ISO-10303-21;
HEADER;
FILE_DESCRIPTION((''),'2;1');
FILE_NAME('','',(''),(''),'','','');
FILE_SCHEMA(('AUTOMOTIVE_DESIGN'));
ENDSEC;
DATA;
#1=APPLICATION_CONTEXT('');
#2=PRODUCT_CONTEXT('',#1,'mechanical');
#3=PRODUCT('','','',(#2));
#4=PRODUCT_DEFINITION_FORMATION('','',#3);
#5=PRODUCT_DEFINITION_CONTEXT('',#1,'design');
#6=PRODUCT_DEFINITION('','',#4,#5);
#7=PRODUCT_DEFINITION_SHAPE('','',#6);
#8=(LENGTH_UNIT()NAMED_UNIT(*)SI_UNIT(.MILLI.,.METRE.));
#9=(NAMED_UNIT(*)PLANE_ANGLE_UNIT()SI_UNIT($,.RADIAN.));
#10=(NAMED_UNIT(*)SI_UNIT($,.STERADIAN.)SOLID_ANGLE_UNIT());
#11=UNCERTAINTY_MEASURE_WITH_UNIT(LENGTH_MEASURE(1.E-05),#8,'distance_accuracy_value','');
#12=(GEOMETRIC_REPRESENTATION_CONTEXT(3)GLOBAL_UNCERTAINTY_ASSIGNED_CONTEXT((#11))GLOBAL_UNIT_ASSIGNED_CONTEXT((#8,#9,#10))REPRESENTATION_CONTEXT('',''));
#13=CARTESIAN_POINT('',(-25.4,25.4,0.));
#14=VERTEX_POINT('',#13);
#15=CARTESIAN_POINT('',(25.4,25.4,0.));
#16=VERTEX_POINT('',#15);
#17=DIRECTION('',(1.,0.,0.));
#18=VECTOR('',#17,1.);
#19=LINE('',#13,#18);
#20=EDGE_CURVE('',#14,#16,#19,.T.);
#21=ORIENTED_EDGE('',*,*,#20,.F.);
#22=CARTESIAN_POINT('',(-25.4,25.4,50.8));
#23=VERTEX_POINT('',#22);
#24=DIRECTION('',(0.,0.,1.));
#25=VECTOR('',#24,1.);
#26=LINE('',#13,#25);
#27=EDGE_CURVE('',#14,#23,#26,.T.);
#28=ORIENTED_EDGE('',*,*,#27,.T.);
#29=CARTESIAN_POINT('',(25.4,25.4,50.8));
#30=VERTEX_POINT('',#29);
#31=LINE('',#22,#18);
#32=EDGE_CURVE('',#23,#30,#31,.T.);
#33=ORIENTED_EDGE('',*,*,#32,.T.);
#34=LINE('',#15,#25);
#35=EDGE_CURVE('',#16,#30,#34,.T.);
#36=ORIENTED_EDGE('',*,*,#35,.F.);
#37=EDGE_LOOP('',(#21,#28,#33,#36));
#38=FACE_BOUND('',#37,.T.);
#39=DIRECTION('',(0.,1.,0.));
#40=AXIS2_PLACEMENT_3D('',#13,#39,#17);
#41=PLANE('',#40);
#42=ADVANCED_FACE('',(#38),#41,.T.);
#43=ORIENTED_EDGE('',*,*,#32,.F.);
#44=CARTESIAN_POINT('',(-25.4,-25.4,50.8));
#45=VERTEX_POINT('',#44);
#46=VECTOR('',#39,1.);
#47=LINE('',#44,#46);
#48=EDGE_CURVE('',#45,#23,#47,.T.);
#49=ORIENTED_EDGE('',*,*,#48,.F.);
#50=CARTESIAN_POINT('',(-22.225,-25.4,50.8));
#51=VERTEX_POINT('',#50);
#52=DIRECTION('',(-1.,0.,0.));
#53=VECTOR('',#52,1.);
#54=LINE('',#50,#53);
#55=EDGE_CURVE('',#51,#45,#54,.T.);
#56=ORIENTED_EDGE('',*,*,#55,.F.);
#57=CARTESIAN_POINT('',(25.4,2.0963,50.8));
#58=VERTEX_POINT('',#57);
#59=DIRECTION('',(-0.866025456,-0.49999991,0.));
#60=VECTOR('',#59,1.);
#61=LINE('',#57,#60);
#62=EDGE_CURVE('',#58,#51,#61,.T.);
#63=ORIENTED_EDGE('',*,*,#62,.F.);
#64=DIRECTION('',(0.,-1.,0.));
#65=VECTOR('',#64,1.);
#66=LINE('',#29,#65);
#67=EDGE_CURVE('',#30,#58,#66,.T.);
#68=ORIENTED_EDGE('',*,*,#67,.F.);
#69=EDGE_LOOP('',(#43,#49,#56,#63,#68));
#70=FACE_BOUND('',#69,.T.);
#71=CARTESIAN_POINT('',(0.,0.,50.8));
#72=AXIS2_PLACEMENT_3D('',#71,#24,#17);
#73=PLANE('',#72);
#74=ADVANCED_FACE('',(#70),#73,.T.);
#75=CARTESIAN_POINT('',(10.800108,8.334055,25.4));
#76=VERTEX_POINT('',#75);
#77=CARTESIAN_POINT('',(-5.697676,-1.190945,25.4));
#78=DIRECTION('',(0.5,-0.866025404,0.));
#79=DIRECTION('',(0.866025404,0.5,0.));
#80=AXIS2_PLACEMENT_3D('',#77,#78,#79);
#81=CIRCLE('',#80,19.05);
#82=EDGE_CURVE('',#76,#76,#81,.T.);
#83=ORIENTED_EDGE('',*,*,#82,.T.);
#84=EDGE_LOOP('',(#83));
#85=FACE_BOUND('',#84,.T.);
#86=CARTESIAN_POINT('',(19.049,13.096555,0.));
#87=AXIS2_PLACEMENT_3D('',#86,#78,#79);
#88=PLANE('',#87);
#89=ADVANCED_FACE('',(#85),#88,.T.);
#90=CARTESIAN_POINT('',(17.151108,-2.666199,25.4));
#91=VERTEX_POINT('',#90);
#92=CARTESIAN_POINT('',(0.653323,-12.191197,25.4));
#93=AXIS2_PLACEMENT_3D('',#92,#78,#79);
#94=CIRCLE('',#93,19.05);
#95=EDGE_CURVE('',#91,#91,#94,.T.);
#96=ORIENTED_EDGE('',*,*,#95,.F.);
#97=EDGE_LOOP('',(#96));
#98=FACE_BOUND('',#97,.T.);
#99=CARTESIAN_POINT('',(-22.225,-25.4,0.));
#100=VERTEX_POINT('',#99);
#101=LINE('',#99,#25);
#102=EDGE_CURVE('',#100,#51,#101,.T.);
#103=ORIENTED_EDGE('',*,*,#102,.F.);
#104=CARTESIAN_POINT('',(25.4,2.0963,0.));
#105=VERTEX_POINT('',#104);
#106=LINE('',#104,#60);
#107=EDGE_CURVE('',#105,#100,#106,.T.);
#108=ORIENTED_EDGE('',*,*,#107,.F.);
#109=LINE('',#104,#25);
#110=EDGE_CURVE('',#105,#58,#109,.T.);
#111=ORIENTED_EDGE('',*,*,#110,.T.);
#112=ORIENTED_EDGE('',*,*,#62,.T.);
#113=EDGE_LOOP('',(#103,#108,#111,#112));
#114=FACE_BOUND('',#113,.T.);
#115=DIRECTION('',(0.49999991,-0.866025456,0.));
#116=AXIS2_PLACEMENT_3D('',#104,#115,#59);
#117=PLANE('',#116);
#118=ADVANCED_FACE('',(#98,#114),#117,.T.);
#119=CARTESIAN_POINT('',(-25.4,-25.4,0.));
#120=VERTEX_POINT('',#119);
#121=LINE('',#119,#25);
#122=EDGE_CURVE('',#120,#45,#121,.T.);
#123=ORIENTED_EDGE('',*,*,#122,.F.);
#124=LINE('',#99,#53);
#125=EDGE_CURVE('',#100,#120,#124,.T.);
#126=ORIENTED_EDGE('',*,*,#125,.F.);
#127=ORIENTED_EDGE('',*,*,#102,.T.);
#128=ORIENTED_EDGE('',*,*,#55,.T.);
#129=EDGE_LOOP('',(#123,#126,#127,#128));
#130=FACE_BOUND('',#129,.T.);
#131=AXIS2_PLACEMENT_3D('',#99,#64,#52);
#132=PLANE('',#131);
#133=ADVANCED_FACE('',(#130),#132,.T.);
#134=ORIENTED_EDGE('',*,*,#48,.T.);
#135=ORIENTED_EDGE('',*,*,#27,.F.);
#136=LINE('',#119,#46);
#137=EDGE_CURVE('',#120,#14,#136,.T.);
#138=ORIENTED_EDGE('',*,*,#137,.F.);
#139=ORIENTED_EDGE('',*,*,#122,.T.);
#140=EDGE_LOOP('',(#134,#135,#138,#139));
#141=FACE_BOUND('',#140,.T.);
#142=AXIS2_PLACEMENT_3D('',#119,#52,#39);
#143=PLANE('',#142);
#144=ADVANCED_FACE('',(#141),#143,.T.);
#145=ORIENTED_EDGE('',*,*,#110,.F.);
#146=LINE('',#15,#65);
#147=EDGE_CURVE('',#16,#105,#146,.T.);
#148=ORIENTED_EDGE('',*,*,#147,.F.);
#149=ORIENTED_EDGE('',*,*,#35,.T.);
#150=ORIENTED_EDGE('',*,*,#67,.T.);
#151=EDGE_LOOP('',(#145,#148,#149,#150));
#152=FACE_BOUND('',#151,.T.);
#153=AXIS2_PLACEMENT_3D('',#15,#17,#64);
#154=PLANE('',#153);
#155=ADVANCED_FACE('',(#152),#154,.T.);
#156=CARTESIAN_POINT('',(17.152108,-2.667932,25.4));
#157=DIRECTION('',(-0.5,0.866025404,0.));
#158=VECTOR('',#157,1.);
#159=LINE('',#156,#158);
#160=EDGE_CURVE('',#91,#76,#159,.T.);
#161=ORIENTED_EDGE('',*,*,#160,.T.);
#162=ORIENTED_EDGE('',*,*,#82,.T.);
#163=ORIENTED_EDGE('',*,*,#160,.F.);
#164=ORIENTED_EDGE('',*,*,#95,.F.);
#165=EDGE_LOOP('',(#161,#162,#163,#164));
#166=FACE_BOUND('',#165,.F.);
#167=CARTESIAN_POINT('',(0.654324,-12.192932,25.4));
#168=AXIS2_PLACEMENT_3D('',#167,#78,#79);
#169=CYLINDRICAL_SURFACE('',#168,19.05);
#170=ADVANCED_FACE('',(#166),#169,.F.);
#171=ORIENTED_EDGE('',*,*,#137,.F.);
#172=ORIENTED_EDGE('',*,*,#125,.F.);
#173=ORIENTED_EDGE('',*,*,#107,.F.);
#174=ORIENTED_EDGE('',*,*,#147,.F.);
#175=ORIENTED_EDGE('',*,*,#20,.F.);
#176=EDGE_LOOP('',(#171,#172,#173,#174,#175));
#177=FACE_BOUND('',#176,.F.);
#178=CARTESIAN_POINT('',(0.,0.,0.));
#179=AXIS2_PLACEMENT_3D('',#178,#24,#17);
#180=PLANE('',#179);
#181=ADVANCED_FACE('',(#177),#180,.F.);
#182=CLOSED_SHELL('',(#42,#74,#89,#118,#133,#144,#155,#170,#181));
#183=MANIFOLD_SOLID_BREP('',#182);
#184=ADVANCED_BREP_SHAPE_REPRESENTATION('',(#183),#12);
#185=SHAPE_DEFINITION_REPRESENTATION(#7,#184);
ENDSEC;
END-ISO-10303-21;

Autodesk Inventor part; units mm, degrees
ref_plane "YZ Plane" through (0, 0, 0) normal (1, 0, 0) x (0, 1, 0)
ref_plane "XZ Plane" through (0, 0, 0) normal (0, 1, 0) x (-1, 0, 0)
ref_plane "XY Plane" through (0, 0, 0) normal (0, 0, 1) x (1, 0, 0)
sketch "Sketch2" plane through (0, 0, 0) normal (0, 0, 1) x (1, 0, 0)
  line L0 (-25.4, 25.4) -> (25.4, 25.4)
  line L1 (25.4, 25.4) -> (25.4, 2.0963)
  line L2 (25.4, -25.4) -> (-22.225, -25.4) construction
  line L3 (-25.4, -25.4) -> (-25.4, 25.4)
  line L4 (-25.4, 25.4) -> (25.4, -25.4) construction
  line L5 (25.4, 25.4) -> (-25.4, -25.4) construction
  line L6 (25.4, 2.0963) -> (25.4, -25.4) construction
  line L7 (25.4, 2.0963) -> (-22.225, -25.4)
  line L8 (-22.225, -25.4) -> (-25.4, -25.4)
  point P0 (0, 0)
  dimension "d5" = 30
  dimension "d6" = 3.175
  dimension "d7" = 50.8
  dimension "d8" = 50.8
extrude "Extrusion2" add sketch "Sketch2" along normal blind 50.8
sketch "Sketch3" plane through (25.4, 2.0963, 0) normal (0.5, -0.866, 0) x (0.866, 0.5, 0)
  line L0 (0, 0) -> (-54.9926, 0) construction
  line L1 (0, 0) -> (0, 50.8) construction
  line L2 (-54.9926, 50.8) -> (0, 50.8) construction
  line L3 (-54.9926, 0) -> (-54.9926, 50.8) construction
  circle A0 centre (-28.575, 25.4) radius 19.05
  line L4 (0, 0) -> (0, 50.8) construction
  line L5 (0, 25.4) -> (-54.9926, 25.4) construction
  point P0 (-23.0452, 0)
  dimension "d11" = 38.1
  dimension "d12" = 28.575
extrude "Extrusion3" cut sketch "Sketch3" against normal blind 12.7
properties part number "Tool_Mount"
